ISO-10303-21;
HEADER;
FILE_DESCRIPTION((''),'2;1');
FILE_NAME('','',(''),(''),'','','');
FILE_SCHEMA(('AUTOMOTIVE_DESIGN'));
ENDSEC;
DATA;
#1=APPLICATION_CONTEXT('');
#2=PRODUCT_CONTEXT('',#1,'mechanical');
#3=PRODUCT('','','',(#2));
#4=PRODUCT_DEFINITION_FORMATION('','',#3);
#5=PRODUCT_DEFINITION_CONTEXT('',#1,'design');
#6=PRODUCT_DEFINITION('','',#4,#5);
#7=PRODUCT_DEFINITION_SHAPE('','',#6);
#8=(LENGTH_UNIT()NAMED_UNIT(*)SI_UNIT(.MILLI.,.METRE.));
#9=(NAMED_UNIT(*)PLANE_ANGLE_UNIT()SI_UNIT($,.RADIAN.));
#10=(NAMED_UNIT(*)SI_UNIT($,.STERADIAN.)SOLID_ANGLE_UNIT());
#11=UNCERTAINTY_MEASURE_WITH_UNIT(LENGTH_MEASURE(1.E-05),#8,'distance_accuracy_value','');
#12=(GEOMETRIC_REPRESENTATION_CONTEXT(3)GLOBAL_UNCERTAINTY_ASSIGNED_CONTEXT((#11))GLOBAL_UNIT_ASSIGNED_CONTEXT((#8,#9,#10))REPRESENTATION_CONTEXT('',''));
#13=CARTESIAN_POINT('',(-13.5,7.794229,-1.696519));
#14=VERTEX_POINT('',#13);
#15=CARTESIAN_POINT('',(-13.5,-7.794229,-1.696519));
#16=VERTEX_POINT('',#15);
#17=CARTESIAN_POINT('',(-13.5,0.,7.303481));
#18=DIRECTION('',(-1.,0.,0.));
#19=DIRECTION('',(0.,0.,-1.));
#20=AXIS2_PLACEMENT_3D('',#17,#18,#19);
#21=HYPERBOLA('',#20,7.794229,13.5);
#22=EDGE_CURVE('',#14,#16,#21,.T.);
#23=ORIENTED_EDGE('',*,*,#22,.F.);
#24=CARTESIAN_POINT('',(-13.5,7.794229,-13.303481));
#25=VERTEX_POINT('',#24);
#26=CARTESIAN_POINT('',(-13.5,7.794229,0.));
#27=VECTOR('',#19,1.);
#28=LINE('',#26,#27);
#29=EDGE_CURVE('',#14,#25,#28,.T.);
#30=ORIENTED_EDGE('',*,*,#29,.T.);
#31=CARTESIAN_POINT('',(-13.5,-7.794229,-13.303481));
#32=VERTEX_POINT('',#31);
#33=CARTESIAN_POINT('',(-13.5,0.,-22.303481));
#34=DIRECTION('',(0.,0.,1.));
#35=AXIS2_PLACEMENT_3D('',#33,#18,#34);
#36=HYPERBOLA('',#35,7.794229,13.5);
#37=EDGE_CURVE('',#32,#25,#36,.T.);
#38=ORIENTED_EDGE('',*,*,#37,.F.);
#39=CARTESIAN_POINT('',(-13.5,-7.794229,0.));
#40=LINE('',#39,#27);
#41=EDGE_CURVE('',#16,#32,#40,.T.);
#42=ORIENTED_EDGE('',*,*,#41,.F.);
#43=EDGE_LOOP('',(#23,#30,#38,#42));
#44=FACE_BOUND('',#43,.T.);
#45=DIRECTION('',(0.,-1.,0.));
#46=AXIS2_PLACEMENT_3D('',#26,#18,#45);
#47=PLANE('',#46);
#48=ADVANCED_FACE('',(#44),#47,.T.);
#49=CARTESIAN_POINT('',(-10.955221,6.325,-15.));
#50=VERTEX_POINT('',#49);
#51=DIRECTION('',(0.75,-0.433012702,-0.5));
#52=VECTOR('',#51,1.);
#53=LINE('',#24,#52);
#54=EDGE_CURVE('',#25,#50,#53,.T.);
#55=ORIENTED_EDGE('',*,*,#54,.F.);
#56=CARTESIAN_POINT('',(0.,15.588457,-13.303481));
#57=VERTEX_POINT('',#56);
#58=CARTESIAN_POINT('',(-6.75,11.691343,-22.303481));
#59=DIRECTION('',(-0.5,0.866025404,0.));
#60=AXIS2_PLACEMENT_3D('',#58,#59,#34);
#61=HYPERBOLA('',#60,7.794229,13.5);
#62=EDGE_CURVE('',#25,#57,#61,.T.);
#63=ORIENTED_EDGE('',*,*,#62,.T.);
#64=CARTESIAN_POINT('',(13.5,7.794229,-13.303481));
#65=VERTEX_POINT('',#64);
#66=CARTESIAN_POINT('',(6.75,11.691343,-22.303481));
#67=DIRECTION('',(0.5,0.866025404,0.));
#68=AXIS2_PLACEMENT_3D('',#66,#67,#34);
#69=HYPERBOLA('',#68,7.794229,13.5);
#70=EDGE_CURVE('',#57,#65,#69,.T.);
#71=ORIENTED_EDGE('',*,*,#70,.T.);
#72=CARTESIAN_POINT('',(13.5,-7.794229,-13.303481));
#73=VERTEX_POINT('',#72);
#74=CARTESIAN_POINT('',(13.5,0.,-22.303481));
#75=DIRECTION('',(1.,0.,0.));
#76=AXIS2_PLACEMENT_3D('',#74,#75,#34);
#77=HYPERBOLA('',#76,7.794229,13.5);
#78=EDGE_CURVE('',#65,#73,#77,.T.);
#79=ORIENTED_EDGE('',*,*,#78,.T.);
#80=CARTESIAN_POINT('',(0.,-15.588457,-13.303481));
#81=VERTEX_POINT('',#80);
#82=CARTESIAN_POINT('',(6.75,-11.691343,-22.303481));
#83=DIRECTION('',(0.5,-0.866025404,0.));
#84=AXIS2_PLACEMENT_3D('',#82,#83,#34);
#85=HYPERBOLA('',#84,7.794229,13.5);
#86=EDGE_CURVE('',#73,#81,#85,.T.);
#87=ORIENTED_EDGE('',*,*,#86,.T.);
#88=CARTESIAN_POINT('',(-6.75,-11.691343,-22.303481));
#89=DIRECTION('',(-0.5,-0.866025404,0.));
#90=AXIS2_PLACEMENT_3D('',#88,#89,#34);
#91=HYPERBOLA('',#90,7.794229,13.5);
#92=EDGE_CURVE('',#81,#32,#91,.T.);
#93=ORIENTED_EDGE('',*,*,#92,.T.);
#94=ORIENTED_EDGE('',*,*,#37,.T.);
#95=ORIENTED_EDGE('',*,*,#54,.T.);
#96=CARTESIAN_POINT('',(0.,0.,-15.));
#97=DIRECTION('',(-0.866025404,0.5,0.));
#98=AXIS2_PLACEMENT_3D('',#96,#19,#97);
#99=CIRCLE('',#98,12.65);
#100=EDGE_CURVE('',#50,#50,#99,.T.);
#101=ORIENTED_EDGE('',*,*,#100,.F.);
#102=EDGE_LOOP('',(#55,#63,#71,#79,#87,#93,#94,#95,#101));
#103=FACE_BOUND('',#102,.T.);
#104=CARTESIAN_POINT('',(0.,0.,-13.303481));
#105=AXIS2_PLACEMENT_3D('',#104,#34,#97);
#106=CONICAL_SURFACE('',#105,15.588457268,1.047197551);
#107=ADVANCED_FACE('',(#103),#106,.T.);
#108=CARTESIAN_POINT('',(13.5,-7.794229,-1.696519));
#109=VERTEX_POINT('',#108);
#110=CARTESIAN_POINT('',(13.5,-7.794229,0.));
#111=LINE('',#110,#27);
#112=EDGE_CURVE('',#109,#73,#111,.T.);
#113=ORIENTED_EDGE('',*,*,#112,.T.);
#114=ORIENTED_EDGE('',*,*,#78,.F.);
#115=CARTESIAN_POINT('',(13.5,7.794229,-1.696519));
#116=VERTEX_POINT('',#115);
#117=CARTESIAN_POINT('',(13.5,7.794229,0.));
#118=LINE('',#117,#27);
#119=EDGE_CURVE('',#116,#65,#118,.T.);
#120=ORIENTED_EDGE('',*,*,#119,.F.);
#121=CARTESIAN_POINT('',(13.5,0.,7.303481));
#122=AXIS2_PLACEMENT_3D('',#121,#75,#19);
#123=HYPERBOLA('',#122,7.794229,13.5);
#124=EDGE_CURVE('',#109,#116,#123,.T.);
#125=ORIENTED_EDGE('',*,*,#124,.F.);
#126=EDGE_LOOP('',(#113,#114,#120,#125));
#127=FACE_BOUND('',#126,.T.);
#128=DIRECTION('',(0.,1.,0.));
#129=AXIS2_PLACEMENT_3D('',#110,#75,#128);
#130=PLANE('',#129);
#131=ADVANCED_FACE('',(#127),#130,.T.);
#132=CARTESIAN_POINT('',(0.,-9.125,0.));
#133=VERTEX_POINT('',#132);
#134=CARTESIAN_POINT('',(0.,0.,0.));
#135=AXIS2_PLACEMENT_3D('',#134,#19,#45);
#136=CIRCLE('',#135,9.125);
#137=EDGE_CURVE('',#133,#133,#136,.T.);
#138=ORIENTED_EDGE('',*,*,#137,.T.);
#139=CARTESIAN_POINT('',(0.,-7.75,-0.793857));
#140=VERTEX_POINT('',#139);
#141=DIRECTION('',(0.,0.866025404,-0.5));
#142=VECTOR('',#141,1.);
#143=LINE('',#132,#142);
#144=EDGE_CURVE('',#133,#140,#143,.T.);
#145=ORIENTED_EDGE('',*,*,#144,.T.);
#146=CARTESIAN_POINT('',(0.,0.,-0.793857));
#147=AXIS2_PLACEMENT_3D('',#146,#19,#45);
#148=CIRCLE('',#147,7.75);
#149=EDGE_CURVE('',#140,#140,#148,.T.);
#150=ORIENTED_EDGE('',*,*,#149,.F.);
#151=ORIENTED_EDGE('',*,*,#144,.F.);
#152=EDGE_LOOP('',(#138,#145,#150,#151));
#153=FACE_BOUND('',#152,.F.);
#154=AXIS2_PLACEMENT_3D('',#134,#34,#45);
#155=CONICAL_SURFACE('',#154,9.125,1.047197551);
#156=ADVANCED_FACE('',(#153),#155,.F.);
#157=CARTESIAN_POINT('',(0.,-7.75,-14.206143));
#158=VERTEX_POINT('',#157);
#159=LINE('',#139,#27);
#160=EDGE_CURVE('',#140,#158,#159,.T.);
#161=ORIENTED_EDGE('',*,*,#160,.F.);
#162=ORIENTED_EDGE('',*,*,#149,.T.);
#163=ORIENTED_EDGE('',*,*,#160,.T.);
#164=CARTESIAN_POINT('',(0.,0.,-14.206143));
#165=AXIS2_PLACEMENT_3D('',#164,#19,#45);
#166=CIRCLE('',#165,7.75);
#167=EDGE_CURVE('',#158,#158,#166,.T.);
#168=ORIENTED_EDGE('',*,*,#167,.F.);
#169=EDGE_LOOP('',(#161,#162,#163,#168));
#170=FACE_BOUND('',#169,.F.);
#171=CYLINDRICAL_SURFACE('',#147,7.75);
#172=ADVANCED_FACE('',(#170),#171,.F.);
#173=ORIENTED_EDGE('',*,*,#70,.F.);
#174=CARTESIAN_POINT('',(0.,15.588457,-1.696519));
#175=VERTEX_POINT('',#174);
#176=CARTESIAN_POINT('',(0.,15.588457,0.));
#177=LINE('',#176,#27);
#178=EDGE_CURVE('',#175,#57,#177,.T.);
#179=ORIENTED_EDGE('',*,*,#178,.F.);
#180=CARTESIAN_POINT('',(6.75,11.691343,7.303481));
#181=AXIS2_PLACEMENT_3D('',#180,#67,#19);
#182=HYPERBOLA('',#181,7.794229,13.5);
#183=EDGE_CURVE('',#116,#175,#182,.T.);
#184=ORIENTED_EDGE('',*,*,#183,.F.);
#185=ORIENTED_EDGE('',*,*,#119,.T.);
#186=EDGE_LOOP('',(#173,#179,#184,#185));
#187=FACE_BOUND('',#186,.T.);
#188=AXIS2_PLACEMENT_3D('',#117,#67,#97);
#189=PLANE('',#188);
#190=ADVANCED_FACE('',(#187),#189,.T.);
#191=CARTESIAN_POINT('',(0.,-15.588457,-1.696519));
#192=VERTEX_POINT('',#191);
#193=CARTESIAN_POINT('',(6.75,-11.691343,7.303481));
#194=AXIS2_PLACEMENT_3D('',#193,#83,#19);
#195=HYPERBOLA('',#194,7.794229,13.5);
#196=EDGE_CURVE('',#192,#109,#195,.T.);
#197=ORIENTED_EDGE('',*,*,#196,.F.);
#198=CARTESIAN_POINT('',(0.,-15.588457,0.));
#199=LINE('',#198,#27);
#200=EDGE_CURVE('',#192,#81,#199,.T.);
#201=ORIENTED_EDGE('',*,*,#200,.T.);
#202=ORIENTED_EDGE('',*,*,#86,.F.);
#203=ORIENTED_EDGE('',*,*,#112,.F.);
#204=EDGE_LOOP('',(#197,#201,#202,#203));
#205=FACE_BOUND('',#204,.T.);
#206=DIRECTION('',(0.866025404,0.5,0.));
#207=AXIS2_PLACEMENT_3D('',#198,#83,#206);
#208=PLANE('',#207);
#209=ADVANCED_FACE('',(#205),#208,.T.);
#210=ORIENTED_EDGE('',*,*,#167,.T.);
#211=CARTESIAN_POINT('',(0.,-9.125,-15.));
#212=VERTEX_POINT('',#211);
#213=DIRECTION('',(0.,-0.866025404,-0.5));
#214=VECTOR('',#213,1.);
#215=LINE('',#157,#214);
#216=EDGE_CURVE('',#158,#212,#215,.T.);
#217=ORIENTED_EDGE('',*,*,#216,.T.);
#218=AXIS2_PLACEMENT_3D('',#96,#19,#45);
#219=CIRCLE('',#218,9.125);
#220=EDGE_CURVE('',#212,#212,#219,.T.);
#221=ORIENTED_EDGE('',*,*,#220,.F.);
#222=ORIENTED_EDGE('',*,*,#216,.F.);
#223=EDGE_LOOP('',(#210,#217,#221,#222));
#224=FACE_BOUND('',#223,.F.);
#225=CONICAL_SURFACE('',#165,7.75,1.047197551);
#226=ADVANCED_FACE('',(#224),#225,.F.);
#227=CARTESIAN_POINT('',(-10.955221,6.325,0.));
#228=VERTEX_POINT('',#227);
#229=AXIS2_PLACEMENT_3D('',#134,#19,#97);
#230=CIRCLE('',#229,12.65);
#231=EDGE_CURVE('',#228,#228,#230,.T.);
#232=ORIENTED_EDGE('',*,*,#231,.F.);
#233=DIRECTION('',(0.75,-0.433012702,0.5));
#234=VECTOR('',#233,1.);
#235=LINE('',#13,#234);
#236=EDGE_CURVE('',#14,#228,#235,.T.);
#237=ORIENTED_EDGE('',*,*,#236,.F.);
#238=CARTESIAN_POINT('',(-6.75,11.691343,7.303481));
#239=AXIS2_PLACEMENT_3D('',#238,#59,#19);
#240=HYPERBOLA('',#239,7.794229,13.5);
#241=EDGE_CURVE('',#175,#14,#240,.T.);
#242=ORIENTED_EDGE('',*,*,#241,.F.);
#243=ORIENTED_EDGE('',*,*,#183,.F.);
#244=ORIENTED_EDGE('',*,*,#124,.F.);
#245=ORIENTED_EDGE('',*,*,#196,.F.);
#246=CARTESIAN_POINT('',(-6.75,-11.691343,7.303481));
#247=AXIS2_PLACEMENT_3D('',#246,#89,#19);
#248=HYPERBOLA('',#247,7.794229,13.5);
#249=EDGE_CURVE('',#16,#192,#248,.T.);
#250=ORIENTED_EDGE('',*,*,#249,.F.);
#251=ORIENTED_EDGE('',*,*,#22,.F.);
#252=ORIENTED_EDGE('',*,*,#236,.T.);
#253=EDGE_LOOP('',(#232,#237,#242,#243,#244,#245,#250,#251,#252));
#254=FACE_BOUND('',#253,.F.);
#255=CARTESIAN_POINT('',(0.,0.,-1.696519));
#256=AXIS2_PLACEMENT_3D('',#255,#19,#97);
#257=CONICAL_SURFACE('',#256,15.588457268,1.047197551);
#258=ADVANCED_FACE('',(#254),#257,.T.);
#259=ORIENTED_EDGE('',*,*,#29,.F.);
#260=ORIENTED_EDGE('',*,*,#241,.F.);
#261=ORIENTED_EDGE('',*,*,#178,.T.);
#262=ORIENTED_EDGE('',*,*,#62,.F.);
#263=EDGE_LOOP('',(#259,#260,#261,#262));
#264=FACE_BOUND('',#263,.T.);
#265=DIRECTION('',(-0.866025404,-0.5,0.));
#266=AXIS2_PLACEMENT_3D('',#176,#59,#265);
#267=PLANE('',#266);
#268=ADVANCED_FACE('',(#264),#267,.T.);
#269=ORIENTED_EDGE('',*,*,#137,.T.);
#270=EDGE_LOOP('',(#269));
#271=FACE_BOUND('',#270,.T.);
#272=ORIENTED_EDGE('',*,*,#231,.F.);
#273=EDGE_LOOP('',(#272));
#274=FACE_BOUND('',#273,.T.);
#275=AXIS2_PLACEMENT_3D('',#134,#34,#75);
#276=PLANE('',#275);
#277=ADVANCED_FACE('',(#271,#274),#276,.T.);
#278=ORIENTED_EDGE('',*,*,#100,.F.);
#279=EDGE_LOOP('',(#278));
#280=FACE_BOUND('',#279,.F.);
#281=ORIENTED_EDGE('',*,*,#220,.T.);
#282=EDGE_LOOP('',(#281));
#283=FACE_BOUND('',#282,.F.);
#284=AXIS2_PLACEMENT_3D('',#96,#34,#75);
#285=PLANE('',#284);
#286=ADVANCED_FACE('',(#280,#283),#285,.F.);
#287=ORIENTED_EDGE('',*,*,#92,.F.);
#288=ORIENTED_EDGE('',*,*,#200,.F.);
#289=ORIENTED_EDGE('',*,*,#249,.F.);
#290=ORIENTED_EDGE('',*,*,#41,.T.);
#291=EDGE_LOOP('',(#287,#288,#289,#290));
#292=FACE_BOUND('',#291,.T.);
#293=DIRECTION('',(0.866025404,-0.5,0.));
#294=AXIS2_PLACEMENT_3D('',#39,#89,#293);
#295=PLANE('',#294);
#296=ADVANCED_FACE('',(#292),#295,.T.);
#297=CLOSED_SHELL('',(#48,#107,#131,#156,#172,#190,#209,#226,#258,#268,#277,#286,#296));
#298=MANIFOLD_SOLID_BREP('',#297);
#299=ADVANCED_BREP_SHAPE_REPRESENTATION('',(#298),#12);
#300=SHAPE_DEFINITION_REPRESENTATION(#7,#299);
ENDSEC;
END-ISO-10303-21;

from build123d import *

# Parameters (mm, degrees)
BOSS_EXTRUDE1_DEPTH = 15


with BuildPart() as part:
    # Sketch1 → Boss-Extrude1 (new body)
    with BuildSketch(Plane.XY):
        Polygon((0, 15.588457268), (-13.5, 7.794228634), (-13.5, -7.794228634), (0, -15.588457268), (13.5, -7.794228634), (13.5, 7.794228634), align=None)
    extrude(amount=-BOSS_EXTRUDE1_DEPTH)

    # Sketch4 → Cut-Revolve1 (revolve, cut)
    with BuildSketch(Plane(origin=(0, 0, 0), x_dir=(0, 0, -1), z_dir=(1, 0, 0)), mode=Mode.PRIVATE) as cut_revolve1_sk:
        Polygon((15, 15.588457268), (13.303480905, 15.588457268), (15, 12.65), align=None)
        Polygon((0, 15.588457268), (1.696519095, 15.588457268), (0, 12.65), align=None)
    revolve(cut_revolve1_sk.sketch.rotate(Axis((0, 0, 0), (0, 0, -1)), 300.000000005), axis=Axis((0, 0, 0), (0, 0, -1)), mode=Mode.SUBTRACT)

    # Sketch5 → Cut-Revolve2 (revolve, cut)
    with BuildSketch(Plane(origin=(0, 0, 0), x_dir=(0, 0, -1), z_dir=(1, 0, 0)), mode=Mode.PRIVATE) as cut_revolve2_sk:
        Polygon((0, 0), (0, 9.125), (0.79385662, 7.75), (14.20614338, 7.75), (15, 9.125), (15, 0), align=None)
    revolve(cut_revolve2_sk.sketch.rotate(Axis((0, 0, 0), (0, 0, -1)), 180), axis=Axis((0, 0, 0), (0, 0, -1)), mode=Mode.SUBTRACT)


solid = part.part
